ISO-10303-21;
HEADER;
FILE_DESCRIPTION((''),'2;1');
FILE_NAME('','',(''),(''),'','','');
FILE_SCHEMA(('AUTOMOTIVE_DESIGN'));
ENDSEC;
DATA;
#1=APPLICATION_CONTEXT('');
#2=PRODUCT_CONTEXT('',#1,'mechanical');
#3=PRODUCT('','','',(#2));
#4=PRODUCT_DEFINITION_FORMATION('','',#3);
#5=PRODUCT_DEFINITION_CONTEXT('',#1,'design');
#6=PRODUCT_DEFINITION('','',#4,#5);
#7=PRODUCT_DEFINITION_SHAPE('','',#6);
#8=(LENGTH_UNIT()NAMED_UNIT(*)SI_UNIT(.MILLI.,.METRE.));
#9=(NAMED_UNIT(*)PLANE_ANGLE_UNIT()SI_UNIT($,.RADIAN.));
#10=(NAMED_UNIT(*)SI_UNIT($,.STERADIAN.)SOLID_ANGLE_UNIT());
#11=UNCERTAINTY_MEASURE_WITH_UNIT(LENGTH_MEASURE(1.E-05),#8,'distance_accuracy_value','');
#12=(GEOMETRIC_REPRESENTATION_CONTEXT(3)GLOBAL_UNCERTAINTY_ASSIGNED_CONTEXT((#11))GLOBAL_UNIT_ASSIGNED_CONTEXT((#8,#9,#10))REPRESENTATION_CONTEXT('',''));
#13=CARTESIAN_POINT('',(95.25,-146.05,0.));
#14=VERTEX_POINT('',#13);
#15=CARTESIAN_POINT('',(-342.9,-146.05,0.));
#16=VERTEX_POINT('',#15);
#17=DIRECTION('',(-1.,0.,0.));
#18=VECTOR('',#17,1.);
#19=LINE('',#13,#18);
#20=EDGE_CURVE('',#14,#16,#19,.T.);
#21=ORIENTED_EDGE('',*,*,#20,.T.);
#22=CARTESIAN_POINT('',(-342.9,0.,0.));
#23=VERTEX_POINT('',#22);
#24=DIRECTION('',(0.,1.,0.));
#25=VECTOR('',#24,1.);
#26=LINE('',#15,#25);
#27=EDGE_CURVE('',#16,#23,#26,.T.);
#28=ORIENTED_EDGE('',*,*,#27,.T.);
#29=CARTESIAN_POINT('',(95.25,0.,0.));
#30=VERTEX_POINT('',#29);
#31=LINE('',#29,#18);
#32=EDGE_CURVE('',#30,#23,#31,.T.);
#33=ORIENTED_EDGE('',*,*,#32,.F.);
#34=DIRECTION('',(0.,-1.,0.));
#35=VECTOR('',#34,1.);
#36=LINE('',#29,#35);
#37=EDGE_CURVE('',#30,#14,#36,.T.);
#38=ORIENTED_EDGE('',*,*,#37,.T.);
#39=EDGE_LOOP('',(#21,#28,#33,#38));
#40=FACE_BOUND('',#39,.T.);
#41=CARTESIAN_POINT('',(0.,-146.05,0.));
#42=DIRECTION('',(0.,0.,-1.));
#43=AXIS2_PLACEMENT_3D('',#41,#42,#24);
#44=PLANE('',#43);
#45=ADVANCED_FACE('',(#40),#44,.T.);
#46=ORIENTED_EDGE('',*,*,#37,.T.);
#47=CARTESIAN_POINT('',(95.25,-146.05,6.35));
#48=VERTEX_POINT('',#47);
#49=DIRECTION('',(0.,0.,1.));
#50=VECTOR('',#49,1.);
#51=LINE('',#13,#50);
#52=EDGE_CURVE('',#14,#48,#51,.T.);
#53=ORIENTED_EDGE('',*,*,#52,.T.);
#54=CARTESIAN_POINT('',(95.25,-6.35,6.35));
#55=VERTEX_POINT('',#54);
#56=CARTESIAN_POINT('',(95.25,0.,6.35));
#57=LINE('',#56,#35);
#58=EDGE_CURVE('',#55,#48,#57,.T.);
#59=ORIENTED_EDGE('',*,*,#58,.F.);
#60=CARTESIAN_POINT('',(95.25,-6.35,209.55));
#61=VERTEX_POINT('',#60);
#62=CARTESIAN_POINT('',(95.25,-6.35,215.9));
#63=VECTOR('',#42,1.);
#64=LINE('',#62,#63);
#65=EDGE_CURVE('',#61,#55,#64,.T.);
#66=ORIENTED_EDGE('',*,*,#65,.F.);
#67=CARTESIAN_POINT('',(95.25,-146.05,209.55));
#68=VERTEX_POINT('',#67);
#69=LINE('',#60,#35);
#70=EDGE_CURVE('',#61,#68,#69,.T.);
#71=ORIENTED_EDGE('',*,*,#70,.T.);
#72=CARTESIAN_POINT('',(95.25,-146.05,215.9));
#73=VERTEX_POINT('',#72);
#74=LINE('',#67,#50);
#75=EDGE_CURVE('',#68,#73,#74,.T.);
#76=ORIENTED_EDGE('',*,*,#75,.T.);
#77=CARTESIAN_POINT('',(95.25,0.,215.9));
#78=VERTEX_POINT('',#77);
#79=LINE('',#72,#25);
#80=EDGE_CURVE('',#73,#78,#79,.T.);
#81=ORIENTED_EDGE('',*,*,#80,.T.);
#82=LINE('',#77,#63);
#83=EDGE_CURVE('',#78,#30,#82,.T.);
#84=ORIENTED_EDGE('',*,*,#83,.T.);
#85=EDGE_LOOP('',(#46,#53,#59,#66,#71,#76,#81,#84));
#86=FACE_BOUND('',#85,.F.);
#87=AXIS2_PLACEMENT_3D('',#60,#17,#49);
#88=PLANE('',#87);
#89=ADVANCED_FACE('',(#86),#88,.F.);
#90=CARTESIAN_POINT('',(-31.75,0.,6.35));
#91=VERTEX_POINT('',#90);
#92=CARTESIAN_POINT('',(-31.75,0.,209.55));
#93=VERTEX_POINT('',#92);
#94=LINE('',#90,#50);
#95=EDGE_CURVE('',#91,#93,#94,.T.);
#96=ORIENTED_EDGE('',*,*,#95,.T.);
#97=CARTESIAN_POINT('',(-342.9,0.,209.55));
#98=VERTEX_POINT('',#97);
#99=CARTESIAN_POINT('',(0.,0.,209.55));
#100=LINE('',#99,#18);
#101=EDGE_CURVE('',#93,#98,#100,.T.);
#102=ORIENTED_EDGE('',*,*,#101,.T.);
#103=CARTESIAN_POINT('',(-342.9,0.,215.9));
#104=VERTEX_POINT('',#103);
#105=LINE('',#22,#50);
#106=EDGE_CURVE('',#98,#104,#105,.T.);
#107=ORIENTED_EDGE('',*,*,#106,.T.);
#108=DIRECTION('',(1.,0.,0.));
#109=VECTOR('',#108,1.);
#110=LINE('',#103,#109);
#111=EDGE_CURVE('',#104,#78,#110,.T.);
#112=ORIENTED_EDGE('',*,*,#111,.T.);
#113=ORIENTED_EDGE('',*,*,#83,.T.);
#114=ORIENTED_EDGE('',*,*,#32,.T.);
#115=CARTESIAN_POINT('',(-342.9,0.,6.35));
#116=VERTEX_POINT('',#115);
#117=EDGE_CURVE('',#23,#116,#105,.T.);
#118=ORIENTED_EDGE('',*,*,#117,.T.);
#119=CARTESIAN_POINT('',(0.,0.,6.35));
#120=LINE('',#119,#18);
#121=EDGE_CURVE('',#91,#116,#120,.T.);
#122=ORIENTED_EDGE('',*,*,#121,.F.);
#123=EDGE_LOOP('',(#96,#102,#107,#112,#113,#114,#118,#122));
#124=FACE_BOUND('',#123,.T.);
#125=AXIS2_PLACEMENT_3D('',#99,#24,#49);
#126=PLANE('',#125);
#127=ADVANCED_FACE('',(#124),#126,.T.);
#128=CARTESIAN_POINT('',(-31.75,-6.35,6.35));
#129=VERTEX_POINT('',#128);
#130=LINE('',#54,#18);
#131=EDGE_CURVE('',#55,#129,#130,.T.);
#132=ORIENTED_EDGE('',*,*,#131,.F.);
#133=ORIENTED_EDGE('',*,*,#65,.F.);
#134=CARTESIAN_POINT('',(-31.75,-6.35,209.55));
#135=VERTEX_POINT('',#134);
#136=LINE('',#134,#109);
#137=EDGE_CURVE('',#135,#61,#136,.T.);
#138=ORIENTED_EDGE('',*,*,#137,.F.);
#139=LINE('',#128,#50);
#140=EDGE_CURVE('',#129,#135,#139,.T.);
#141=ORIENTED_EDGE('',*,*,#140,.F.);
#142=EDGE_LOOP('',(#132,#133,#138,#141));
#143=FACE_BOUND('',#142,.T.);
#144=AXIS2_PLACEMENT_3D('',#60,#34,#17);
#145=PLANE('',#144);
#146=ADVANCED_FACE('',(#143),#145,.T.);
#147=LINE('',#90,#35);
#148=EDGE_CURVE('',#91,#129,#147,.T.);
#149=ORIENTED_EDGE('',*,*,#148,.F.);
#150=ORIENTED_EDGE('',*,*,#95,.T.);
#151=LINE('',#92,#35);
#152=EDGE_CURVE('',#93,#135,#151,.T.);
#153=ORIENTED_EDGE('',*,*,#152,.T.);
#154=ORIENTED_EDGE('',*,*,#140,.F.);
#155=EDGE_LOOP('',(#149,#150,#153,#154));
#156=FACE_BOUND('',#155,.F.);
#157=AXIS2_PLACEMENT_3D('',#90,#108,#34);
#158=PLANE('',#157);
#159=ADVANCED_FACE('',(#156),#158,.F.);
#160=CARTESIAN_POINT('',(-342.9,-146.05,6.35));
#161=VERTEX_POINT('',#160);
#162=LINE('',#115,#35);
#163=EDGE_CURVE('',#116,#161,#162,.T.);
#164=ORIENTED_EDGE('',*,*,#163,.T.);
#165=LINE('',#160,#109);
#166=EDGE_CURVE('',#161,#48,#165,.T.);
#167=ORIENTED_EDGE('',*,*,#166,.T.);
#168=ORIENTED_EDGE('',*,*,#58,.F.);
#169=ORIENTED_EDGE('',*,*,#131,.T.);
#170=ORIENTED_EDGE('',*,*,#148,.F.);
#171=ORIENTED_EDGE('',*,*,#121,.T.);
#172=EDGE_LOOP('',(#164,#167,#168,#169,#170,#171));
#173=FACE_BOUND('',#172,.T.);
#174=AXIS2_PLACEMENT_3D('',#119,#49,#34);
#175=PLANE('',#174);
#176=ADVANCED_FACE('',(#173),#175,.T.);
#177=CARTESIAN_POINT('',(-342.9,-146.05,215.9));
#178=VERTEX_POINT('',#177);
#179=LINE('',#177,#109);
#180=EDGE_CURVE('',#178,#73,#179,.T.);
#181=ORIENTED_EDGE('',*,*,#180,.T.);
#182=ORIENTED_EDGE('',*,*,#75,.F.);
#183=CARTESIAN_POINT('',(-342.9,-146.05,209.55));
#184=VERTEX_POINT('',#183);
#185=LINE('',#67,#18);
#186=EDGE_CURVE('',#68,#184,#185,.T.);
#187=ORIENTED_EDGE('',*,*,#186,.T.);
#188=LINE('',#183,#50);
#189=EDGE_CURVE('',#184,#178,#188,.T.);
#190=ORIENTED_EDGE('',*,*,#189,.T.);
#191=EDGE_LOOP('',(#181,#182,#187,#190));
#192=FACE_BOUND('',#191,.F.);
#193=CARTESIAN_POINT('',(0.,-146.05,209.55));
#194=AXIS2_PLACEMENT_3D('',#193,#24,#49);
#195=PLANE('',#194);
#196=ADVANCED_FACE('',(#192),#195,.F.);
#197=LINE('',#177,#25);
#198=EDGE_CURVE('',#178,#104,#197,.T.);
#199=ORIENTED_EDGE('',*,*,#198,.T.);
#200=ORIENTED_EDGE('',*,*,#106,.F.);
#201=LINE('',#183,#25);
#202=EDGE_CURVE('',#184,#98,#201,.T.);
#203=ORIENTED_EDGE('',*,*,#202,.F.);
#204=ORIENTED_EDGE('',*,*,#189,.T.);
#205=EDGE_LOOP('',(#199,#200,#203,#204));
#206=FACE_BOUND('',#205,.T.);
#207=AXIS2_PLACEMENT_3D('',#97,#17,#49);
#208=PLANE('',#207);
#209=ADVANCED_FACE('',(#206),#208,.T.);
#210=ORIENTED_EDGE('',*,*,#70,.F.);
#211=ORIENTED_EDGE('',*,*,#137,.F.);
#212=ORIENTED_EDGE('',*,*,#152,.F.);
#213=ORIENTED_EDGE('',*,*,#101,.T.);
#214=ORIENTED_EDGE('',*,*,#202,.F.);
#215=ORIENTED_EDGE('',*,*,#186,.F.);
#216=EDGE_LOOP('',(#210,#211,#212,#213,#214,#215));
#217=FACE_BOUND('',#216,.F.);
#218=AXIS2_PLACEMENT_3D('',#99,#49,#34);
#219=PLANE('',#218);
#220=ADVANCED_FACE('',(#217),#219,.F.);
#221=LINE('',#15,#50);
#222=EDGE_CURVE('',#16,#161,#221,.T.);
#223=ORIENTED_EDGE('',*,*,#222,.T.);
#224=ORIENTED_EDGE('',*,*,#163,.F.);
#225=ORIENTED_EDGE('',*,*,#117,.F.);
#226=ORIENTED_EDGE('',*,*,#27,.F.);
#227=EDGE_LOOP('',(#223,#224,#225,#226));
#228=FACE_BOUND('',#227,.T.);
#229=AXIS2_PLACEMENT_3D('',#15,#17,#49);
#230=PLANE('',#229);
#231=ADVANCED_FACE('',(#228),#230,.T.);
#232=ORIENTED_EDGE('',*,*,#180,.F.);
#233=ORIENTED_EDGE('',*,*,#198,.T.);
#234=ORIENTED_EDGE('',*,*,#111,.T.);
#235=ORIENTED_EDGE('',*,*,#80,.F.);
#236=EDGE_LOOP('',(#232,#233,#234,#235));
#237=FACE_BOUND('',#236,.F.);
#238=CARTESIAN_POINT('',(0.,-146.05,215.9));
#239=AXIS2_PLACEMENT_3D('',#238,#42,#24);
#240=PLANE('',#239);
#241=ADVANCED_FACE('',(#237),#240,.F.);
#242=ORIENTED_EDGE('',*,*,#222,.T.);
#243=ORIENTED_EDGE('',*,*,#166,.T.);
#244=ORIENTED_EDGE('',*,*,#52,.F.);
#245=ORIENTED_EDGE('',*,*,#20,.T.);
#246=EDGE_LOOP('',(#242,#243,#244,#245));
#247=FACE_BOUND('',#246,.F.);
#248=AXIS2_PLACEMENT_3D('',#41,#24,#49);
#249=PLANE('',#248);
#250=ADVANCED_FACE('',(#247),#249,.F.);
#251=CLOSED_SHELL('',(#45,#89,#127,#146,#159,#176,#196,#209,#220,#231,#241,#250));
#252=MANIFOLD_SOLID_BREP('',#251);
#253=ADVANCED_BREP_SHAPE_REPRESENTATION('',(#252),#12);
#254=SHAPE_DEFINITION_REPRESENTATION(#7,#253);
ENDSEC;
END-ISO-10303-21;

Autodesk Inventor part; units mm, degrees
ref_plane "YZ Plane" through (0, 0, 0) normal (1, 0, 0) x (0, 1, 0)
ref_plane "XZ Plane" through (0, 0, 0) normal (0, 1, 0) x (-1, 0, 0)
ref_plane "XY Plane" through (0, 0, 0) normal (0, 0, 1) x (1, 0, 0)
sketch "Sketch1" plane through (0, 0, 0) normal (0, 0, 1) x (1, 0, 0)
  line L0 (0, 0) -> (95.25, 0)
  line L1 (95.25, 0) -> (95.25, -146.05)
  line L2 (95.25, -146.05) -> (0, -146.05)
  line L3 (0, -146.05) -> (0, 0)
  dimension "d0" = 95.25
  dimension "d1" = 146.05
extrude "Extrusion1" add sketch "Sketch1" along normal blind 6.35
sketch "Sketch2" plane through (0, 0, 6.35) normal (0, 0, 1) x (1, 0, 0)
  line L0 (95.25, 0) -> (0, 0) projected
  line L1 (95.25, 0) -> (-31.75, 0)
  line L2 (-31.75, 0) -> (-31.75, -6.35)
  line L3 (-31.75, -6.35) -> (95.25, -6.35)
  line L4 (95.25, -146.05) -> (95.25, 0) projected
  line L5 (95.25, -6.35) -> (95.25, 0)
  dimension "d4" = 127
  dimension "d5" = 6.35
extrude "Extrusion2" add sketch "Sketch2" along normal blind 203.2
sketch "Sketch3" plane through (0, 0, 209.55) normal (0, 0, 1) x (1, 0, 0)
  line L0 (0, 0) -> (95.25, 0) projected
  line L1 (95.25, -146.05) -> (95.25, -6.35) projected
  line L2 (0, 0) -> (95.25, 0)
  line L3 (95.25, 0) -> (95.25, -6.35)
  line L4 (95.25, -6.35) -> (0, -6.35)
  line L5 (0, -6.35) -> (0, 0)
extrude "Extrusion3" add sketch "Sketch3" along normal blind 6.35
sketch "Sketch4" plane through (-31.75, -6.35, 6.35) normal (0, -1, 0) x (1, 0, 0)
  line L0 (0, 203.2) -> (31.75, 203.2) projected
  line L1 (31.75, 209.55) -> (127, 209.55) projected
  line L2 (31.75, 203.2) -> (127, 203.2)
  line L3 (127, 203.2) -> (127, 209.55)
  line L4 (127, 209.55) -> (31.75, 209.55)
  line L5 (31.75, 209.55) -> (31.75, 203.2)
  point P0 (31.75, -6.35)
extrude "Extrusion4" add sketch "Sketch4" along normal blind 139.7
sketch "Sketch5" plane through (0, -146.05, 0) normal (-1, 0, 0) x (0, 0, 1)
  line L0 (0, 146.05) -> (215.9, 146.05) projected
  line L1 (0, 0) -> (6.35, 0) projected
  line L2 (0, 146.05) -> (6.35, 146.05)
  line L3 (6.35, 146.05) -> (6.35, 0)
  line L4 (6.35, 0) -> (0, 0)
  line L5 (0, 0) -> (0, 146.05)
extrude "Extrusion5" add sketch "Sketch5" along normal blind 342.9
sketch "Sketch6" plane through (0, 0, 209.55) normal (-1, 0, 0) x (0, 0, 1)
  line L0 (-209.55, 0) -> (6.35, 0) projected
  line L1 (0, -6.35) -> (0, -146.05) projected
  line L2 (6.35, 0) -> (0, 0)
  line L3 (0, 0) -> (0, -146.05)
  line L4 (0, -146.05) -> (6.35, -146.05)
  line L5 (6.35, -146.05) -> (6.35, 0)
extrude "Extrusion6" add sketch "Sketch6" along normal blind 342.9
properties part number "Gen2Plate"
